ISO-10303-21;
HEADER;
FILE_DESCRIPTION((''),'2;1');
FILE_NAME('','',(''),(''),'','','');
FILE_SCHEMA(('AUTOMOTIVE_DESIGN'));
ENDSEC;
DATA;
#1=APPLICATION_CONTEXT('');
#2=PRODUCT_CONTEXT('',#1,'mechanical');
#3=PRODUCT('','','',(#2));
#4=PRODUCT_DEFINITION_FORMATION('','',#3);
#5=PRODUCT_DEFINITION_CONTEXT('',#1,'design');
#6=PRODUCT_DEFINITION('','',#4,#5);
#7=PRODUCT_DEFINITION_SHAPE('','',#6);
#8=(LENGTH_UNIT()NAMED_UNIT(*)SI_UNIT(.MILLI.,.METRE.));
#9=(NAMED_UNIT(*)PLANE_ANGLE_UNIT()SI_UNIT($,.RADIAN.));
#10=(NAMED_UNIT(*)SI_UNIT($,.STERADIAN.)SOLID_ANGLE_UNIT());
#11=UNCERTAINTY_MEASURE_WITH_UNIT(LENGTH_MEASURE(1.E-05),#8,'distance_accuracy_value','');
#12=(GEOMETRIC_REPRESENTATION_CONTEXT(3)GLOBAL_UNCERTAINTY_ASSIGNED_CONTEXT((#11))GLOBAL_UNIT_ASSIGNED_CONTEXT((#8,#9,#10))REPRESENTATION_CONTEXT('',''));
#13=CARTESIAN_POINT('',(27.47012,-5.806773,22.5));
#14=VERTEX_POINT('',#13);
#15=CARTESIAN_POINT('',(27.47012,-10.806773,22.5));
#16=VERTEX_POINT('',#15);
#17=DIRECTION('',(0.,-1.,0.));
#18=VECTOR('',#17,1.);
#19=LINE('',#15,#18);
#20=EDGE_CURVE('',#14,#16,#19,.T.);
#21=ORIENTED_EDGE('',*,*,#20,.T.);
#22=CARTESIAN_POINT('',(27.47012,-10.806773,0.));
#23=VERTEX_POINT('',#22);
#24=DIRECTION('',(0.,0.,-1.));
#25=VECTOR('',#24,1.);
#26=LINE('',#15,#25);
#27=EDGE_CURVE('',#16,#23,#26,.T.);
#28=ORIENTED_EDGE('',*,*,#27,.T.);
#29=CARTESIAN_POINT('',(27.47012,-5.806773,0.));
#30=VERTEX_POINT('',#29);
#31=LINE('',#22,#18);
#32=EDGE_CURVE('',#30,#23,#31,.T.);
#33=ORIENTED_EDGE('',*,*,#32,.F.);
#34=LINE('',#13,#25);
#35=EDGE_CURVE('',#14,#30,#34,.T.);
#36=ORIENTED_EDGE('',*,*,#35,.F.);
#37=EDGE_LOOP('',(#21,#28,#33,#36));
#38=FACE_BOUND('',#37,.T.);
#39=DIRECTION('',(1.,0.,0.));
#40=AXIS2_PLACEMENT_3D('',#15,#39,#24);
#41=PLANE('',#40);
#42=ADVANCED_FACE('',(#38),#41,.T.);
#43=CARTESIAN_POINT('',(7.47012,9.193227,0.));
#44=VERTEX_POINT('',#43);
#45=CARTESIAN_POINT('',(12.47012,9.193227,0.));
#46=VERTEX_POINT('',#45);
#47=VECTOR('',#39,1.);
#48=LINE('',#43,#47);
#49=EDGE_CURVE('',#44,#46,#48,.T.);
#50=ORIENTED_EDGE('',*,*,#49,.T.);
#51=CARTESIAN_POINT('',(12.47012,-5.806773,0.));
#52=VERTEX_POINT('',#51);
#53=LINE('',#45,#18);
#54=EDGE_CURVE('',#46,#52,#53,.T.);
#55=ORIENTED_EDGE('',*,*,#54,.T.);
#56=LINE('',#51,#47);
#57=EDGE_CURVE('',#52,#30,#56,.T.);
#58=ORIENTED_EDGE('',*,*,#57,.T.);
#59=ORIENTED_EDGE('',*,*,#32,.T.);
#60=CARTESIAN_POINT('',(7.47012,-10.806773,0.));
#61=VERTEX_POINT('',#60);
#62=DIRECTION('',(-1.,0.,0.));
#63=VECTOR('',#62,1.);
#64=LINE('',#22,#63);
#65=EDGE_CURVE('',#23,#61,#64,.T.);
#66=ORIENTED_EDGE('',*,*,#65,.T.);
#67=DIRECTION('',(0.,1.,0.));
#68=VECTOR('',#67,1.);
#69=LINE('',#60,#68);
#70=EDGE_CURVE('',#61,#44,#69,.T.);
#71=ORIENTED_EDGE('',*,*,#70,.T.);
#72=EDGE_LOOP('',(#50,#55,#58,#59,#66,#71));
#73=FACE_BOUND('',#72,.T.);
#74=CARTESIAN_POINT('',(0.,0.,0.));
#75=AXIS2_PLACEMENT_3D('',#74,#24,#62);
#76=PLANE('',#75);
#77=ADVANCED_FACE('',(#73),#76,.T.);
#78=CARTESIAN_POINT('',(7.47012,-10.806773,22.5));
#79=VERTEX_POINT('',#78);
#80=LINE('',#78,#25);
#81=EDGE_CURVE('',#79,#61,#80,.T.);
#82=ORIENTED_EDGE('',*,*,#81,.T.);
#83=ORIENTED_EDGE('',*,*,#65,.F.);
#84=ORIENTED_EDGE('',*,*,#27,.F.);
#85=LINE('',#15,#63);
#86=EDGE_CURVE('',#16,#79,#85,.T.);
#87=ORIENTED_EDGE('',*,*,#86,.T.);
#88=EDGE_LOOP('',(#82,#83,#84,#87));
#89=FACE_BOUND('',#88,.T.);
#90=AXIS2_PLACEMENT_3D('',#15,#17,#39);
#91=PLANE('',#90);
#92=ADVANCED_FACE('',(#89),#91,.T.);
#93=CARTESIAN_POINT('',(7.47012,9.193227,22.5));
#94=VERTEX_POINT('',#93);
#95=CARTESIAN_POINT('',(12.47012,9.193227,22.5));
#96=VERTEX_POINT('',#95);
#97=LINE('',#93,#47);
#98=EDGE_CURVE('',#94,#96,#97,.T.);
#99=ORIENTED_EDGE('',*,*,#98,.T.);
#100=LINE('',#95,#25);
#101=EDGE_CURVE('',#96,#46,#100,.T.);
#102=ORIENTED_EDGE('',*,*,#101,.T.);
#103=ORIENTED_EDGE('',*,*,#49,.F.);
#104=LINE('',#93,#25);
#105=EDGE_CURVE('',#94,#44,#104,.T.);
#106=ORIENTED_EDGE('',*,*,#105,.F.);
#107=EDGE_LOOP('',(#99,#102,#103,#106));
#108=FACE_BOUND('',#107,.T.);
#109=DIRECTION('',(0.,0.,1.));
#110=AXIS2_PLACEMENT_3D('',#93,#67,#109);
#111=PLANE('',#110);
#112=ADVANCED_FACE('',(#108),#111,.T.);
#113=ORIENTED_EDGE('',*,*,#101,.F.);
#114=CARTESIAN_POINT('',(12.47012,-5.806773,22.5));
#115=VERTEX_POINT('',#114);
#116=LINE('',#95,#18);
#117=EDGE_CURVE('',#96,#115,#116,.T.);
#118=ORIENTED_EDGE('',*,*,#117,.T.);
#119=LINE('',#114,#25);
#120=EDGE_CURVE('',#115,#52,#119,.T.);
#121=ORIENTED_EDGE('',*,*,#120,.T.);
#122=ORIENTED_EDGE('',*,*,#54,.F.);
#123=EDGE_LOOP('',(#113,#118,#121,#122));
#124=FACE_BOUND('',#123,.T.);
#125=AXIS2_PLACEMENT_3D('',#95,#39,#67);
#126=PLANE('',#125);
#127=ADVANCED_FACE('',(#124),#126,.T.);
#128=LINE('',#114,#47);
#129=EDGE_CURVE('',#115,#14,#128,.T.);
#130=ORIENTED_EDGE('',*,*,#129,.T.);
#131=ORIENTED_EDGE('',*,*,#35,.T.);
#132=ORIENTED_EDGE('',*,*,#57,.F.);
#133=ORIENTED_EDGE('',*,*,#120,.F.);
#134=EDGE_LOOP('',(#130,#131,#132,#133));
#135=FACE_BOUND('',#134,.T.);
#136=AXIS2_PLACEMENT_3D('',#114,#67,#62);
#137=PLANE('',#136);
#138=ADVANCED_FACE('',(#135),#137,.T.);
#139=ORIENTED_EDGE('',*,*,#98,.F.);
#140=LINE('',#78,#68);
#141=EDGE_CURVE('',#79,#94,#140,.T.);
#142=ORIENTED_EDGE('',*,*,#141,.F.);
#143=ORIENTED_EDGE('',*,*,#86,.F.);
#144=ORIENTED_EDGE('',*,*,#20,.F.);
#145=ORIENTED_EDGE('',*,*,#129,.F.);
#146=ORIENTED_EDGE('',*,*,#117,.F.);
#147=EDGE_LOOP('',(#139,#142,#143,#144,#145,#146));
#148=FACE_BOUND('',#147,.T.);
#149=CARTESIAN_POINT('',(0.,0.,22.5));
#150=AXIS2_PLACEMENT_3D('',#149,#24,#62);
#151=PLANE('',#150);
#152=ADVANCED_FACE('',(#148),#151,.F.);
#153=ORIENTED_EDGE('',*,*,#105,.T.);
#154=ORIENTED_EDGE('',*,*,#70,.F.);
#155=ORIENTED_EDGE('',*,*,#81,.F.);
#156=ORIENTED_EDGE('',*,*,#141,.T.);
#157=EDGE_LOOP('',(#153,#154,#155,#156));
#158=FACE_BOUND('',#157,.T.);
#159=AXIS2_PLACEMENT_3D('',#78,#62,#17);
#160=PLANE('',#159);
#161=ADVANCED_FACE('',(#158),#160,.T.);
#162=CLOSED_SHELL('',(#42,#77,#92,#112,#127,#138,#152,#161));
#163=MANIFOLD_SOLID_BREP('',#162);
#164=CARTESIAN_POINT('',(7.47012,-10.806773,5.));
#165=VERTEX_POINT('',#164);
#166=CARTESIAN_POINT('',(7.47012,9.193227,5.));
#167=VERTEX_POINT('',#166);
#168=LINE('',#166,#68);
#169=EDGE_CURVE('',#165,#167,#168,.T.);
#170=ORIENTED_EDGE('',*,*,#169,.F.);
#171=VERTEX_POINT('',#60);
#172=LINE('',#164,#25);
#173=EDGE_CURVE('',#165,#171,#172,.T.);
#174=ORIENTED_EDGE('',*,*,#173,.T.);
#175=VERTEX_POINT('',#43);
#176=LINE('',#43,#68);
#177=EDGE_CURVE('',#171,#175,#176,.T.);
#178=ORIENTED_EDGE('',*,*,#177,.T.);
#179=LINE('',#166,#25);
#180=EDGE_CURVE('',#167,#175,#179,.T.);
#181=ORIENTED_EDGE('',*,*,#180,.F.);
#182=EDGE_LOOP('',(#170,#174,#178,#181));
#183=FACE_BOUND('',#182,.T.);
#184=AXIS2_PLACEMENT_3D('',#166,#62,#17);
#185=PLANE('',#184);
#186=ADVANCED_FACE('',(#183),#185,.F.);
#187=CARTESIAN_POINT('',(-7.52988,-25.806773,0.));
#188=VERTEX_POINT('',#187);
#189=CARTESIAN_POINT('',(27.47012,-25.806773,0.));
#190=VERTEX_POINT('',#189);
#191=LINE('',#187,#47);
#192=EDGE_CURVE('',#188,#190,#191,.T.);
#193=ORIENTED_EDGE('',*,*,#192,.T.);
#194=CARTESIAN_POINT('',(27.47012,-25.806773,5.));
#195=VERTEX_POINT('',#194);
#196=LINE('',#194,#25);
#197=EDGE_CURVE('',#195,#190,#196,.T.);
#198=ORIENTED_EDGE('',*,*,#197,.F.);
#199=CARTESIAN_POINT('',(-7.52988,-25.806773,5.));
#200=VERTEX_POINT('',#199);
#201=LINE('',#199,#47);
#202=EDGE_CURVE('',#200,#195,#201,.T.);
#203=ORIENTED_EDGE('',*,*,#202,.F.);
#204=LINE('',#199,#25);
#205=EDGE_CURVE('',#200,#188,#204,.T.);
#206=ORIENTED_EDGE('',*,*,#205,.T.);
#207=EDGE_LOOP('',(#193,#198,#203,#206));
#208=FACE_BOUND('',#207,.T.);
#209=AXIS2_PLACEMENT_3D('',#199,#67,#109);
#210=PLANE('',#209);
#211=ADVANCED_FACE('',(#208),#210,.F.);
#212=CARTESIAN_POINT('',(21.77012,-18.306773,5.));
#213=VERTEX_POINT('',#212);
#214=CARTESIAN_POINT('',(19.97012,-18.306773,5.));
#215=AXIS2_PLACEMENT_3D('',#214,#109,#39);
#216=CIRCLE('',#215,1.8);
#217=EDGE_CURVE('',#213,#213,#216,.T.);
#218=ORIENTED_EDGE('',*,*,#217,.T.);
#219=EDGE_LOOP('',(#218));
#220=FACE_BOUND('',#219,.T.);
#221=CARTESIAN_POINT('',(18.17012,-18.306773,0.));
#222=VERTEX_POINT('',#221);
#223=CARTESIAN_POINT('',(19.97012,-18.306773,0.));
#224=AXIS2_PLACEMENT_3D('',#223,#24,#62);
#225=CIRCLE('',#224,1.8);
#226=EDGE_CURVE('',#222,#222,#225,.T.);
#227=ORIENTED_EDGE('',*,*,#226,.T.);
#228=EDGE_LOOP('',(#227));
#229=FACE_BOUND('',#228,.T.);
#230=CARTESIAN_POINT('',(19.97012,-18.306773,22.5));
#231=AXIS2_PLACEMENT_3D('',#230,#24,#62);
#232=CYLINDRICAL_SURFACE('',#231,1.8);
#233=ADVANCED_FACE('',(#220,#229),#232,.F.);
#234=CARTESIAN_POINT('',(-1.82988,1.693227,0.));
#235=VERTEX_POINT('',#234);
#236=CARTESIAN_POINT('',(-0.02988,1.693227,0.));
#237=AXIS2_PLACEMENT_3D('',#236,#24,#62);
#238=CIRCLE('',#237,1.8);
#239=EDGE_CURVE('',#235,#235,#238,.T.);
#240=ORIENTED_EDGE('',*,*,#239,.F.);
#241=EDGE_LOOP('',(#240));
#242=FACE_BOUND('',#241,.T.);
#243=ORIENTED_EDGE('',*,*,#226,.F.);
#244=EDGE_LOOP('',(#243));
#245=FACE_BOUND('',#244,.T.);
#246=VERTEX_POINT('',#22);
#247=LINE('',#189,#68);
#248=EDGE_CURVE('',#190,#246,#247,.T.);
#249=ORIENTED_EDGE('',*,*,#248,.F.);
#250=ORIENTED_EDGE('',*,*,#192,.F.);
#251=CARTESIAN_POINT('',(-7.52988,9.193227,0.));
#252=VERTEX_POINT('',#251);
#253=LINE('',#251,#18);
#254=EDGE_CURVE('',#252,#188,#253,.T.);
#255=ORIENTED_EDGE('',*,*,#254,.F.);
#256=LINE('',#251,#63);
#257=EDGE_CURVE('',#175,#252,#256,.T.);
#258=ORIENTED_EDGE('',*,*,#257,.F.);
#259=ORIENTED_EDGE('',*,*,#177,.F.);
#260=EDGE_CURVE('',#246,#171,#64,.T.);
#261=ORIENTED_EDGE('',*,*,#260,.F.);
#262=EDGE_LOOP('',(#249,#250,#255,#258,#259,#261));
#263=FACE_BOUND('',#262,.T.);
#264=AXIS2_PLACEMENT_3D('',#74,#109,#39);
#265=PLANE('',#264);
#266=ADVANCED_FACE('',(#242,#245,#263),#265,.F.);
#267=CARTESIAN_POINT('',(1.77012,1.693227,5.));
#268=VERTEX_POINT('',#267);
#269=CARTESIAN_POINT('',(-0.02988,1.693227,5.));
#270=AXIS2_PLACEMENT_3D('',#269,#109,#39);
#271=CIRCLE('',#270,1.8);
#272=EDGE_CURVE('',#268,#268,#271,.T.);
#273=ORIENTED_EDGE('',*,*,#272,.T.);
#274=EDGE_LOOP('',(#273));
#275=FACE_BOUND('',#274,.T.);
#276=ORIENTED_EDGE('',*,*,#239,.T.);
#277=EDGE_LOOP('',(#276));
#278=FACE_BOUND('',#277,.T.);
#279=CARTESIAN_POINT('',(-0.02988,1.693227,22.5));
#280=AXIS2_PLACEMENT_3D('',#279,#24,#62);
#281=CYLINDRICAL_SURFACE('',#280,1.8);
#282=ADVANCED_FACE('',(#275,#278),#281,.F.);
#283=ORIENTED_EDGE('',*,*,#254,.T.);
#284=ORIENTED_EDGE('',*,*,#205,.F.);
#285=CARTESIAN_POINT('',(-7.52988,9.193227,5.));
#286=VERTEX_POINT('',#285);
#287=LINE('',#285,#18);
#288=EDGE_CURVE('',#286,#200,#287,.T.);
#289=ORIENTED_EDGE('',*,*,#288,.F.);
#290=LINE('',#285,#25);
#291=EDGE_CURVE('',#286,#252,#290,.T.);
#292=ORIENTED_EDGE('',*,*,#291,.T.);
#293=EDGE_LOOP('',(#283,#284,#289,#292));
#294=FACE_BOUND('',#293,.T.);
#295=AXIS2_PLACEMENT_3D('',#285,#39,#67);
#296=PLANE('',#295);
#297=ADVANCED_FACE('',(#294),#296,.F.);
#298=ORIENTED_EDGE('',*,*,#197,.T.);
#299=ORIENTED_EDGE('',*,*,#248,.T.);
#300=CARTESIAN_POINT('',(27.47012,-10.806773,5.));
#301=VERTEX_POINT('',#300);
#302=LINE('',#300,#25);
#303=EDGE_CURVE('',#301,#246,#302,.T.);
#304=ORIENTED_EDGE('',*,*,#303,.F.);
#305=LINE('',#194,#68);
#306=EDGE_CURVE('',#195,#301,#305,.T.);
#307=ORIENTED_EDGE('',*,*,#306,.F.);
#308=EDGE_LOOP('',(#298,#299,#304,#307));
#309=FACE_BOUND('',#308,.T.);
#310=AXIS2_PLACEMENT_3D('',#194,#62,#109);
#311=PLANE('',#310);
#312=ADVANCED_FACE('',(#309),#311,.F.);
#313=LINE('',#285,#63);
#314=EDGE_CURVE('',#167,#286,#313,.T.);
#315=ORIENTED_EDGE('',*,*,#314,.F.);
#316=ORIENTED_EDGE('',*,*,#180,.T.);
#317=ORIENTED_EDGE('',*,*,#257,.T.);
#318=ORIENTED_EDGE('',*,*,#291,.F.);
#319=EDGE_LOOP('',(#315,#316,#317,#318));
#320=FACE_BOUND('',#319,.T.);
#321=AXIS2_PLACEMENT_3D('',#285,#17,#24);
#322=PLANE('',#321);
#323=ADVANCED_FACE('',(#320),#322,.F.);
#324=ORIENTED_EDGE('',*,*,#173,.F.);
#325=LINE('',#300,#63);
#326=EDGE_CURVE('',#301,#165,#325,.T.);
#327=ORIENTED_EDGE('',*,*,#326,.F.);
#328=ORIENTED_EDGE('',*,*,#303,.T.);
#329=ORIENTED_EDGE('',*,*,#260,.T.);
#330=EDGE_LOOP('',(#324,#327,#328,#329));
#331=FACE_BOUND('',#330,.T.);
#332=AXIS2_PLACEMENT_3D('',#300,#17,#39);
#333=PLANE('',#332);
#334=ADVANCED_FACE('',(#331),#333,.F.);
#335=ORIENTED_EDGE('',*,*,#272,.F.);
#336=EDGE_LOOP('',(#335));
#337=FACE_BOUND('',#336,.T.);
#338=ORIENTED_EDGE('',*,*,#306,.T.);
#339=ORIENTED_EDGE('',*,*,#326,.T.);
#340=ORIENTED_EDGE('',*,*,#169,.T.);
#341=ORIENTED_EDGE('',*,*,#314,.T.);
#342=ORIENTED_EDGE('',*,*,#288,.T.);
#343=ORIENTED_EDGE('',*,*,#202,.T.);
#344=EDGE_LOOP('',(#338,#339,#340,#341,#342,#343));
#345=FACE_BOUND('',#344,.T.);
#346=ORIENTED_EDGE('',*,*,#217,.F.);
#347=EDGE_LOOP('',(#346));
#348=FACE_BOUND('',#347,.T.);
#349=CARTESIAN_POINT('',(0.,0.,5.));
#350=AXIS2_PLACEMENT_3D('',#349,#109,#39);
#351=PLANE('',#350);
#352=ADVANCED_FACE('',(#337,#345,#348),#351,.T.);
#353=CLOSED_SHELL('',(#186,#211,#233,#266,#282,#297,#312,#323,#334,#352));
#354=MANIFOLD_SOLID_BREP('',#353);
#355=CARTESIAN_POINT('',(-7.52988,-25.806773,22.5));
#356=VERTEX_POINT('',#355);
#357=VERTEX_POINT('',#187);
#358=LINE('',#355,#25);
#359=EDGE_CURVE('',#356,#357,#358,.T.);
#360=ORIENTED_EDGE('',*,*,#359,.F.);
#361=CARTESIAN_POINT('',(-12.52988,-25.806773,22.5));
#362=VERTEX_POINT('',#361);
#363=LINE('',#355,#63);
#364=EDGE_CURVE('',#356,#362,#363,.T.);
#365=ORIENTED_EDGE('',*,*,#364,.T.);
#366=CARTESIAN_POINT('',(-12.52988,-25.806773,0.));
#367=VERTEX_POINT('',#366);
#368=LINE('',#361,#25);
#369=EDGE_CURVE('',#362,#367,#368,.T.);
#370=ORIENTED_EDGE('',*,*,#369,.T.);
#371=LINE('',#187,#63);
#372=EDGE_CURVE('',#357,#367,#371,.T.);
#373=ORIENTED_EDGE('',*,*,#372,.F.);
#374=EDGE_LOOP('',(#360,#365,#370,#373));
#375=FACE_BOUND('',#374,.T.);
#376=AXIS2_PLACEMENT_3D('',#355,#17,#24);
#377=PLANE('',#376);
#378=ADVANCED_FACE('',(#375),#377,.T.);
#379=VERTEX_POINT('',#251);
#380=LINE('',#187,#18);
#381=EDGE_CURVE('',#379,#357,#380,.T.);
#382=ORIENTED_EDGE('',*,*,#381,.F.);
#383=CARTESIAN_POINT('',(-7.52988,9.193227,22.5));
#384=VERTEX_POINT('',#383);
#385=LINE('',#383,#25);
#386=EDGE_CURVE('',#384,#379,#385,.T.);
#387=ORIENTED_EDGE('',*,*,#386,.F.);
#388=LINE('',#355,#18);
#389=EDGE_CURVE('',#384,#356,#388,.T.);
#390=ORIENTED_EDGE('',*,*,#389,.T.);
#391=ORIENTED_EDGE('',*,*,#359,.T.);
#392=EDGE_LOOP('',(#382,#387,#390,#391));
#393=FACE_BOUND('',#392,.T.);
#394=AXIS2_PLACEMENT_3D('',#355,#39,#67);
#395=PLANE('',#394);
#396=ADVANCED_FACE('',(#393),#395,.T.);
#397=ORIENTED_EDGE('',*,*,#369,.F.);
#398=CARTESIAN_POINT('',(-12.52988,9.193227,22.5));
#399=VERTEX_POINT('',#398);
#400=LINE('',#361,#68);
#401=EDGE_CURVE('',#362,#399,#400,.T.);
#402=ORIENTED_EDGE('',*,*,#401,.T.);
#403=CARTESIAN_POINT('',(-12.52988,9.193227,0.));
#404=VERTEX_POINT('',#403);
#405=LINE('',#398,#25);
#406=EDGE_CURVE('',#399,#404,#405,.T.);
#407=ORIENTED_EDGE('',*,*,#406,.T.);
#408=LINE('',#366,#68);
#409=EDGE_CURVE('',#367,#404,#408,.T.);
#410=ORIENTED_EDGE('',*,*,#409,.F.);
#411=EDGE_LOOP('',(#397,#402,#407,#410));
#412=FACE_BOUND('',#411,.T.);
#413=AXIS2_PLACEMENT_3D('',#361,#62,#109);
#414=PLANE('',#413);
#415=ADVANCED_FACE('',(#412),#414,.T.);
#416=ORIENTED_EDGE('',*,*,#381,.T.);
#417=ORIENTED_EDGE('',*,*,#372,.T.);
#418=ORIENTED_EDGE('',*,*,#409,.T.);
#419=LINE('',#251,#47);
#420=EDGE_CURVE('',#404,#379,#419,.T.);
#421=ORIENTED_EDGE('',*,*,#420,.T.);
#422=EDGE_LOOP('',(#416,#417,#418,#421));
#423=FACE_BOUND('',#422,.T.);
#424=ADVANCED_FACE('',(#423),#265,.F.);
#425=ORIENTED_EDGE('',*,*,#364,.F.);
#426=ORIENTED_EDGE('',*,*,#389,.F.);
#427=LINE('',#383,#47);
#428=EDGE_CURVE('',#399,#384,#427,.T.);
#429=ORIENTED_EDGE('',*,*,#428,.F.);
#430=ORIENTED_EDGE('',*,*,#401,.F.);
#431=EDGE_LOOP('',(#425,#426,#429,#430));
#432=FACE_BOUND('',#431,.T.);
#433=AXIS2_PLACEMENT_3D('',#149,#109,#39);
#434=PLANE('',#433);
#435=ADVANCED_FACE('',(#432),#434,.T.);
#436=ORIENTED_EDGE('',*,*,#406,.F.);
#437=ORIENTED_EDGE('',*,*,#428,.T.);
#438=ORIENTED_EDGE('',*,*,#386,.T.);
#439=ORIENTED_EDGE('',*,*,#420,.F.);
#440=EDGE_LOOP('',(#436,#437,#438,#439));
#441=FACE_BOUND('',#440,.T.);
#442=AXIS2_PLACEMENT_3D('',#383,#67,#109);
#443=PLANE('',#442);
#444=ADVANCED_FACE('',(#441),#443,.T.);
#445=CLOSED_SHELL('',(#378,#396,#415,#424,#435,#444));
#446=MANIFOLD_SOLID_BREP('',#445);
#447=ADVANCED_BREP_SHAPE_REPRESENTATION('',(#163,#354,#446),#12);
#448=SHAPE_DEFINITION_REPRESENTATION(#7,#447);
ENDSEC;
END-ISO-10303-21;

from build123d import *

# Parameters (mm, degrees)
BOSS_EXTRUDE1_DEPTH = 5
BOSS_EXTRUDE2_DEPTH = 22.5
SKETCH3_W           = 5
SKETCH3_H           = 35
BOSS_EXTRUDE3_DEPTH = 22.5
SKETCH4_R           = 1.8
CUT_EXTRUDE1_DEPTH  = 23.5


with BuildPart() as part:
    # Sketch1 → Boss-Extrude1 (new body)
    with BuildSketch(Plane.XY):
        Polygon((-7.529880478, -25.806772908), (27.470119522, -25.806772908), (27.470119522, -10.806772908), (7.470119522, -10.806772908), (7.470119522, 9.193227092), (-7.529880478, 9.193227092), align=None)
    extrude(amount=BOSS_EXTRUDE1_DEPTH)

    # Sketch4 → Cut-Extrude1 (cut, through all)
    with BuildSketch(Plane(origin=(0, 0, 0), x_dir=(-1, 0, 0), z_dir=(0, 0, -1))):
        with Locations((0.029880478, 1.693227092)):
            Circle(SKETCH4_R)
        with Locations((-19.970119522, -18.306772908)):
            Circle(SKETCH4_R)
    extrude(amount=-CUT_EXTRUDE1_DEPTH, mode=Mode.SUBTRACT)


with BuildPart() as body_2:
    # Sketch2 → Boss-Extrude2 (new body)
    with BuildSketch(Plane(origin=(0, 0, 0), x_dir=(-1, 0, 0), z_dir=(0, 0, -1))):
        Polygon((-7.470119522, 9.193227092), (-12.470119522, 9.193227092), (-12.470119522, -5.806772908), (-27.470119522, -5.806772908), (-27.470119522, -10.806772908), (-7.470119522, -10.806772908), align=None)
    extrude(amount=-BOSS_EXTRUDE2_DEPTH)


with BuildPart() as body_3:
    # Sketch3 → Boss-Extrude3 (new body)
    with BuildSketch(Plane(origin=(0, 0, 0), x_dir=(-1, 0, 0), z_dir=(0, 0, -1))):
        with Locations((10.029880478, -8.306772908)):
            Rectangle(SKETCH3_W, SKETCH3_H)
    extrude(amount=-BOSS_EXTRUDE3_DEPTH)


solid = Compound([part.part, body_2.part, body_3.part])
